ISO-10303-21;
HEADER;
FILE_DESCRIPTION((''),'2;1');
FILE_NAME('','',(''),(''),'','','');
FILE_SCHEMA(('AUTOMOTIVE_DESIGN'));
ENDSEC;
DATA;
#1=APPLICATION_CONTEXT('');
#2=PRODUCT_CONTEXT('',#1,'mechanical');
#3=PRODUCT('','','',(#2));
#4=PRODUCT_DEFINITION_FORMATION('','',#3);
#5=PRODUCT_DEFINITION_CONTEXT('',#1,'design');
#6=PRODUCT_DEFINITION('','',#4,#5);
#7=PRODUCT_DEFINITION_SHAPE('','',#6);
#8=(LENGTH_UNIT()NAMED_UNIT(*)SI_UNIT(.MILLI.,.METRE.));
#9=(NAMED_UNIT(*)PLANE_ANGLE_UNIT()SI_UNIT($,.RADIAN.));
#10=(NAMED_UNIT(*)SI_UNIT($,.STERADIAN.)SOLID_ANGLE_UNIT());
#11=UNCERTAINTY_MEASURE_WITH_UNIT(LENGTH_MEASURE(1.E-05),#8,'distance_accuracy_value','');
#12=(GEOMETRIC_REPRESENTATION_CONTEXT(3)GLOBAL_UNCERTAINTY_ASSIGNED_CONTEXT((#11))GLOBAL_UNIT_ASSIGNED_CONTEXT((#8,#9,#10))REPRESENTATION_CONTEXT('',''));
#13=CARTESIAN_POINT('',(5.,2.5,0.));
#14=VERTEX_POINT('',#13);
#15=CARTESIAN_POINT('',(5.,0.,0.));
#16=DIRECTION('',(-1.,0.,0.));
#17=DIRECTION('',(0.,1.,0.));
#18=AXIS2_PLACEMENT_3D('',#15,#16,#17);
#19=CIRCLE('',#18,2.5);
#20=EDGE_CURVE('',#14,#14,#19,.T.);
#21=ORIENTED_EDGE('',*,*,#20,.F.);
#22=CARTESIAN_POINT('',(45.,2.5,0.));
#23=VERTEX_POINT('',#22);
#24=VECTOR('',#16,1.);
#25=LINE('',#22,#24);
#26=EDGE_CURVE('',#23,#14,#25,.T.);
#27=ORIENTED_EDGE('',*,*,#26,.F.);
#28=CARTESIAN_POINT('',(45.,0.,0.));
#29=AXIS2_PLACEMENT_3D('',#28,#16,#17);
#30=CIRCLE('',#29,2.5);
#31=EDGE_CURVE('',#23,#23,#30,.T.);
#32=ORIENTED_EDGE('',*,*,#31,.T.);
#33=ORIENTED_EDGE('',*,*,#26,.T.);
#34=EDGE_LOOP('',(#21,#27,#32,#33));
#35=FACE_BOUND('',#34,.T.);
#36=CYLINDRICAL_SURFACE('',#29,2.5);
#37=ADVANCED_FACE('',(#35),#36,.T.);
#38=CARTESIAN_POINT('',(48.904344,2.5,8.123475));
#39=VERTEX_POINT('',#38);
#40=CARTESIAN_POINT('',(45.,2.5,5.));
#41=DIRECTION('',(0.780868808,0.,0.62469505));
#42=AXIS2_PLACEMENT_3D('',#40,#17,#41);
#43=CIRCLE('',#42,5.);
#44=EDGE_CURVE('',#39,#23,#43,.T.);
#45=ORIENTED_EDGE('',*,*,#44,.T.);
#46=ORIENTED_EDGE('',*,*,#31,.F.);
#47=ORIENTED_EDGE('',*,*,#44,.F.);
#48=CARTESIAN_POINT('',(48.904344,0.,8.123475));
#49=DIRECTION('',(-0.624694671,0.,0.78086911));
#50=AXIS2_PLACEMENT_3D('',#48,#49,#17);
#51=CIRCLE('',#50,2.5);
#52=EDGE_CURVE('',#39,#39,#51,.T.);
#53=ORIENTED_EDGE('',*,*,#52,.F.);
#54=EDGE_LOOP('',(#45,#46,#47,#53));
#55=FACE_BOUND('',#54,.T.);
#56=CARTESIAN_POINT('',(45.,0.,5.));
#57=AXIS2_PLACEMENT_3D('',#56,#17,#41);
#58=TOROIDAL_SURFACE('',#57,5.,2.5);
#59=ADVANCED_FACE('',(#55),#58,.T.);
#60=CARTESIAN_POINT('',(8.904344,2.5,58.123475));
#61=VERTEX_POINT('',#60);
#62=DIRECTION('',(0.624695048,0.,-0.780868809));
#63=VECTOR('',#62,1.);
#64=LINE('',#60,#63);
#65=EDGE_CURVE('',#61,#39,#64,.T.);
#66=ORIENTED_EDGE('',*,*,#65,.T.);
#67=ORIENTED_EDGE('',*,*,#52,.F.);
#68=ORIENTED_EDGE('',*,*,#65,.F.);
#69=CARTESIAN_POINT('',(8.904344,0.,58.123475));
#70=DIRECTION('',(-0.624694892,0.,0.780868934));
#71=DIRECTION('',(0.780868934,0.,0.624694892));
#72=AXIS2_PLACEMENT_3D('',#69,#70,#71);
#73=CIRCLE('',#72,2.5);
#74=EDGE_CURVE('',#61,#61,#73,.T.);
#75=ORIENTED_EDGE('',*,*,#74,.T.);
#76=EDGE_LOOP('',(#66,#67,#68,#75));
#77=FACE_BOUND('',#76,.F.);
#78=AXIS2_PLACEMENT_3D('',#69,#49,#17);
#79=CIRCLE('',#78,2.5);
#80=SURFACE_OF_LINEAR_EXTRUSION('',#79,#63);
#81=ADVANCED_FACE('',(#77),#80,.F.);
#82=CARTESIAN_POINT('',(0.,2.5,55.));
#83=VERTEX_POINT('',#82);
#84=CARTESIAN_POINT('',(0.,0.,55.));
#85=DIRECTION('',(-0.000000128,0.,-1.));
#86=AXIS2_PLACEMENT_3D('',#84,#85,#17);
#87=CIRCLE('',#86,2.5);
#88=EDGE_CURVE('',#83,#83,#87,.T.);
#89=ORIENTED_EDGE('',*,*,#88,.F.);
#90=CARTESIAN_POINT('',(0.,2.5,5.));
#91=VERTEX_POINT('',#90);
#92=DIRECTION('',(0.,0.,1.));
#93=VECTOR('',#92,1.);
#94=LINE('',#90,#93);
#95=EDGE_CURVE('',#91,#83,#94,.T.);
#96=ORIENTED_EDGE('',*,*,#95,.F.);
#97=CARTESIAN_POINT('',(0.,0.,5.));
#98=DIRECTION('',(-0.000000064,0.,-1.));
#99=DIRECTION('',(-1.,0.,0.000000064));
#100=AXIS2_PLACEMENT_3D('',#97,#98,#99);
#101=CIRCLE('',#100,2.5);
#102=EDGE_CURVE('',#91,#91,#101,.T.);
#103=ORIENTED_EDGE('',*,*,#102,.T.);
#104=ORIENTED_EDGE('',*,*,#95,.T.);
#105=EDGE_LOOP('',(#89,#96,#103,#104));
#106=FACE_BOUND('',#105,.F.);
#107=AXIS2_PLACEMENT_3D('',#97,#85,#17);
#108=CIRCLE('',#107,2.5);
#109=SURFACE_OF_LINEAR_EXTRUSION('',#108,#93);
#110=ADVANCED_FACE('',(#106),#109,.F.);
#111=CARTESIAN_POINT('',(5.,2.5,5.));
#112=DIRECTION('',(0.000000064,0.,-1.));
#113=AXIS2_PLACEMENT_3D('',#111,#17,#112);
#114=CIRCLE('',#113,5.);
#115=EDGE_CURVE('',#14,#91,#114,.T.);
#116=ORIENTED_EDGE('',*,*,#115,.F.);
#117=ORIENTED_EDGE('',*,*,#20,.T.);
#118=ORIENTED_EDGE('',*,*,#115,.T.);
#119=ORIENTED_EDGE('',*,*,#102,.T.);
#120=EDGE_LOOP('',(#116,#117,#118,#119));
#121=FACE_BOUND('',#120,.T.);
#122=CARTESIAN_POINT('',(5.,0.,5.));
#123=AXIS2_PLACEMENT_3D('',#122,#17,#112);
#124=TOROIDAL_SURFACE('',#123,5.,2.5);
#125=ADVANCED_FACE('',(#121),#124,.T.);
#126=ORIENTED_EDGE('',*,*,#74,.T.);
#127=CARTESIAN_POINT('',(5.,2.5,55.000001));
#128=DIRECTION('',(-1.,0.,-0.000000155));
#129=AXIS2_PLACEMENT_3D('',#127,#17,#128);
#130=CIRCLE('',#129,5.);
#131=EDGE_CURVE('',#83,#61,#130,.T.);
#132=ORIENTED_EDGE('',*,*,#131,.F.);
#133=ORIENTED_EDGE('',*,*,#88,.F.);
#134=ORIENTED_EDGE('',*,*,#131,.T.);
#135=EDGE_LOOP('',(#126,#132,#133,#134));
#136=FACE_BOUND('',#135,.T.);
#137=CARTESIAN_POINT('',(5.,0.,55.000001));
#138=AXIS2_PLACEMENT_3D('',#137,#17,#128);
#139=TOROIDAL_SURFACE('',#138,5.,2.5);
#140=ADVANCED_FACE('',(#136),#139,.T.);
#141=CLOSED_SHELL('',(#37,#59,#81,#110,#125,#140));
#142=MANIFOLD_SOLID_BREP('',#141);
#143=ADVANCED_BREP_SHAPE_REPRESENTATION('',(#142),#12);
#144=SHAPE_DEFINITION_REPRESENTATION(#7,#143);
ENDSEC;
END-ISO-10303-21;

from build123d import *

# Parameters (mm, degrees)
F2_R = 2.5


with BuildPart() as f3:
    # F3: sweep along a path in F0
    with BuildLine(Plane.XZ) as f3_path:
        Line((45, 0), (5, 0))
        ThreePointArc((5, 0), (1.464466, 1.464466), (0, 5))
        Line((0, 5), (0, 55))
        ThreePointArc((0, 55), (3.344965, 59.718142), (8.904344, 58.123475))
        Line((8.904344, 58.123475), (48.904344, 8.123475))
        ThreePointArc((48.904344, 8.123475), (49.506516, 2.834056), (45, 0))
    # F2 (on offset) → F3 (sweep)
    with BuildSketch(Plane.YZ.offset(25)):
        Circle(F2_R)
    sweep(path=f3_path.line)


solid = f3.part
